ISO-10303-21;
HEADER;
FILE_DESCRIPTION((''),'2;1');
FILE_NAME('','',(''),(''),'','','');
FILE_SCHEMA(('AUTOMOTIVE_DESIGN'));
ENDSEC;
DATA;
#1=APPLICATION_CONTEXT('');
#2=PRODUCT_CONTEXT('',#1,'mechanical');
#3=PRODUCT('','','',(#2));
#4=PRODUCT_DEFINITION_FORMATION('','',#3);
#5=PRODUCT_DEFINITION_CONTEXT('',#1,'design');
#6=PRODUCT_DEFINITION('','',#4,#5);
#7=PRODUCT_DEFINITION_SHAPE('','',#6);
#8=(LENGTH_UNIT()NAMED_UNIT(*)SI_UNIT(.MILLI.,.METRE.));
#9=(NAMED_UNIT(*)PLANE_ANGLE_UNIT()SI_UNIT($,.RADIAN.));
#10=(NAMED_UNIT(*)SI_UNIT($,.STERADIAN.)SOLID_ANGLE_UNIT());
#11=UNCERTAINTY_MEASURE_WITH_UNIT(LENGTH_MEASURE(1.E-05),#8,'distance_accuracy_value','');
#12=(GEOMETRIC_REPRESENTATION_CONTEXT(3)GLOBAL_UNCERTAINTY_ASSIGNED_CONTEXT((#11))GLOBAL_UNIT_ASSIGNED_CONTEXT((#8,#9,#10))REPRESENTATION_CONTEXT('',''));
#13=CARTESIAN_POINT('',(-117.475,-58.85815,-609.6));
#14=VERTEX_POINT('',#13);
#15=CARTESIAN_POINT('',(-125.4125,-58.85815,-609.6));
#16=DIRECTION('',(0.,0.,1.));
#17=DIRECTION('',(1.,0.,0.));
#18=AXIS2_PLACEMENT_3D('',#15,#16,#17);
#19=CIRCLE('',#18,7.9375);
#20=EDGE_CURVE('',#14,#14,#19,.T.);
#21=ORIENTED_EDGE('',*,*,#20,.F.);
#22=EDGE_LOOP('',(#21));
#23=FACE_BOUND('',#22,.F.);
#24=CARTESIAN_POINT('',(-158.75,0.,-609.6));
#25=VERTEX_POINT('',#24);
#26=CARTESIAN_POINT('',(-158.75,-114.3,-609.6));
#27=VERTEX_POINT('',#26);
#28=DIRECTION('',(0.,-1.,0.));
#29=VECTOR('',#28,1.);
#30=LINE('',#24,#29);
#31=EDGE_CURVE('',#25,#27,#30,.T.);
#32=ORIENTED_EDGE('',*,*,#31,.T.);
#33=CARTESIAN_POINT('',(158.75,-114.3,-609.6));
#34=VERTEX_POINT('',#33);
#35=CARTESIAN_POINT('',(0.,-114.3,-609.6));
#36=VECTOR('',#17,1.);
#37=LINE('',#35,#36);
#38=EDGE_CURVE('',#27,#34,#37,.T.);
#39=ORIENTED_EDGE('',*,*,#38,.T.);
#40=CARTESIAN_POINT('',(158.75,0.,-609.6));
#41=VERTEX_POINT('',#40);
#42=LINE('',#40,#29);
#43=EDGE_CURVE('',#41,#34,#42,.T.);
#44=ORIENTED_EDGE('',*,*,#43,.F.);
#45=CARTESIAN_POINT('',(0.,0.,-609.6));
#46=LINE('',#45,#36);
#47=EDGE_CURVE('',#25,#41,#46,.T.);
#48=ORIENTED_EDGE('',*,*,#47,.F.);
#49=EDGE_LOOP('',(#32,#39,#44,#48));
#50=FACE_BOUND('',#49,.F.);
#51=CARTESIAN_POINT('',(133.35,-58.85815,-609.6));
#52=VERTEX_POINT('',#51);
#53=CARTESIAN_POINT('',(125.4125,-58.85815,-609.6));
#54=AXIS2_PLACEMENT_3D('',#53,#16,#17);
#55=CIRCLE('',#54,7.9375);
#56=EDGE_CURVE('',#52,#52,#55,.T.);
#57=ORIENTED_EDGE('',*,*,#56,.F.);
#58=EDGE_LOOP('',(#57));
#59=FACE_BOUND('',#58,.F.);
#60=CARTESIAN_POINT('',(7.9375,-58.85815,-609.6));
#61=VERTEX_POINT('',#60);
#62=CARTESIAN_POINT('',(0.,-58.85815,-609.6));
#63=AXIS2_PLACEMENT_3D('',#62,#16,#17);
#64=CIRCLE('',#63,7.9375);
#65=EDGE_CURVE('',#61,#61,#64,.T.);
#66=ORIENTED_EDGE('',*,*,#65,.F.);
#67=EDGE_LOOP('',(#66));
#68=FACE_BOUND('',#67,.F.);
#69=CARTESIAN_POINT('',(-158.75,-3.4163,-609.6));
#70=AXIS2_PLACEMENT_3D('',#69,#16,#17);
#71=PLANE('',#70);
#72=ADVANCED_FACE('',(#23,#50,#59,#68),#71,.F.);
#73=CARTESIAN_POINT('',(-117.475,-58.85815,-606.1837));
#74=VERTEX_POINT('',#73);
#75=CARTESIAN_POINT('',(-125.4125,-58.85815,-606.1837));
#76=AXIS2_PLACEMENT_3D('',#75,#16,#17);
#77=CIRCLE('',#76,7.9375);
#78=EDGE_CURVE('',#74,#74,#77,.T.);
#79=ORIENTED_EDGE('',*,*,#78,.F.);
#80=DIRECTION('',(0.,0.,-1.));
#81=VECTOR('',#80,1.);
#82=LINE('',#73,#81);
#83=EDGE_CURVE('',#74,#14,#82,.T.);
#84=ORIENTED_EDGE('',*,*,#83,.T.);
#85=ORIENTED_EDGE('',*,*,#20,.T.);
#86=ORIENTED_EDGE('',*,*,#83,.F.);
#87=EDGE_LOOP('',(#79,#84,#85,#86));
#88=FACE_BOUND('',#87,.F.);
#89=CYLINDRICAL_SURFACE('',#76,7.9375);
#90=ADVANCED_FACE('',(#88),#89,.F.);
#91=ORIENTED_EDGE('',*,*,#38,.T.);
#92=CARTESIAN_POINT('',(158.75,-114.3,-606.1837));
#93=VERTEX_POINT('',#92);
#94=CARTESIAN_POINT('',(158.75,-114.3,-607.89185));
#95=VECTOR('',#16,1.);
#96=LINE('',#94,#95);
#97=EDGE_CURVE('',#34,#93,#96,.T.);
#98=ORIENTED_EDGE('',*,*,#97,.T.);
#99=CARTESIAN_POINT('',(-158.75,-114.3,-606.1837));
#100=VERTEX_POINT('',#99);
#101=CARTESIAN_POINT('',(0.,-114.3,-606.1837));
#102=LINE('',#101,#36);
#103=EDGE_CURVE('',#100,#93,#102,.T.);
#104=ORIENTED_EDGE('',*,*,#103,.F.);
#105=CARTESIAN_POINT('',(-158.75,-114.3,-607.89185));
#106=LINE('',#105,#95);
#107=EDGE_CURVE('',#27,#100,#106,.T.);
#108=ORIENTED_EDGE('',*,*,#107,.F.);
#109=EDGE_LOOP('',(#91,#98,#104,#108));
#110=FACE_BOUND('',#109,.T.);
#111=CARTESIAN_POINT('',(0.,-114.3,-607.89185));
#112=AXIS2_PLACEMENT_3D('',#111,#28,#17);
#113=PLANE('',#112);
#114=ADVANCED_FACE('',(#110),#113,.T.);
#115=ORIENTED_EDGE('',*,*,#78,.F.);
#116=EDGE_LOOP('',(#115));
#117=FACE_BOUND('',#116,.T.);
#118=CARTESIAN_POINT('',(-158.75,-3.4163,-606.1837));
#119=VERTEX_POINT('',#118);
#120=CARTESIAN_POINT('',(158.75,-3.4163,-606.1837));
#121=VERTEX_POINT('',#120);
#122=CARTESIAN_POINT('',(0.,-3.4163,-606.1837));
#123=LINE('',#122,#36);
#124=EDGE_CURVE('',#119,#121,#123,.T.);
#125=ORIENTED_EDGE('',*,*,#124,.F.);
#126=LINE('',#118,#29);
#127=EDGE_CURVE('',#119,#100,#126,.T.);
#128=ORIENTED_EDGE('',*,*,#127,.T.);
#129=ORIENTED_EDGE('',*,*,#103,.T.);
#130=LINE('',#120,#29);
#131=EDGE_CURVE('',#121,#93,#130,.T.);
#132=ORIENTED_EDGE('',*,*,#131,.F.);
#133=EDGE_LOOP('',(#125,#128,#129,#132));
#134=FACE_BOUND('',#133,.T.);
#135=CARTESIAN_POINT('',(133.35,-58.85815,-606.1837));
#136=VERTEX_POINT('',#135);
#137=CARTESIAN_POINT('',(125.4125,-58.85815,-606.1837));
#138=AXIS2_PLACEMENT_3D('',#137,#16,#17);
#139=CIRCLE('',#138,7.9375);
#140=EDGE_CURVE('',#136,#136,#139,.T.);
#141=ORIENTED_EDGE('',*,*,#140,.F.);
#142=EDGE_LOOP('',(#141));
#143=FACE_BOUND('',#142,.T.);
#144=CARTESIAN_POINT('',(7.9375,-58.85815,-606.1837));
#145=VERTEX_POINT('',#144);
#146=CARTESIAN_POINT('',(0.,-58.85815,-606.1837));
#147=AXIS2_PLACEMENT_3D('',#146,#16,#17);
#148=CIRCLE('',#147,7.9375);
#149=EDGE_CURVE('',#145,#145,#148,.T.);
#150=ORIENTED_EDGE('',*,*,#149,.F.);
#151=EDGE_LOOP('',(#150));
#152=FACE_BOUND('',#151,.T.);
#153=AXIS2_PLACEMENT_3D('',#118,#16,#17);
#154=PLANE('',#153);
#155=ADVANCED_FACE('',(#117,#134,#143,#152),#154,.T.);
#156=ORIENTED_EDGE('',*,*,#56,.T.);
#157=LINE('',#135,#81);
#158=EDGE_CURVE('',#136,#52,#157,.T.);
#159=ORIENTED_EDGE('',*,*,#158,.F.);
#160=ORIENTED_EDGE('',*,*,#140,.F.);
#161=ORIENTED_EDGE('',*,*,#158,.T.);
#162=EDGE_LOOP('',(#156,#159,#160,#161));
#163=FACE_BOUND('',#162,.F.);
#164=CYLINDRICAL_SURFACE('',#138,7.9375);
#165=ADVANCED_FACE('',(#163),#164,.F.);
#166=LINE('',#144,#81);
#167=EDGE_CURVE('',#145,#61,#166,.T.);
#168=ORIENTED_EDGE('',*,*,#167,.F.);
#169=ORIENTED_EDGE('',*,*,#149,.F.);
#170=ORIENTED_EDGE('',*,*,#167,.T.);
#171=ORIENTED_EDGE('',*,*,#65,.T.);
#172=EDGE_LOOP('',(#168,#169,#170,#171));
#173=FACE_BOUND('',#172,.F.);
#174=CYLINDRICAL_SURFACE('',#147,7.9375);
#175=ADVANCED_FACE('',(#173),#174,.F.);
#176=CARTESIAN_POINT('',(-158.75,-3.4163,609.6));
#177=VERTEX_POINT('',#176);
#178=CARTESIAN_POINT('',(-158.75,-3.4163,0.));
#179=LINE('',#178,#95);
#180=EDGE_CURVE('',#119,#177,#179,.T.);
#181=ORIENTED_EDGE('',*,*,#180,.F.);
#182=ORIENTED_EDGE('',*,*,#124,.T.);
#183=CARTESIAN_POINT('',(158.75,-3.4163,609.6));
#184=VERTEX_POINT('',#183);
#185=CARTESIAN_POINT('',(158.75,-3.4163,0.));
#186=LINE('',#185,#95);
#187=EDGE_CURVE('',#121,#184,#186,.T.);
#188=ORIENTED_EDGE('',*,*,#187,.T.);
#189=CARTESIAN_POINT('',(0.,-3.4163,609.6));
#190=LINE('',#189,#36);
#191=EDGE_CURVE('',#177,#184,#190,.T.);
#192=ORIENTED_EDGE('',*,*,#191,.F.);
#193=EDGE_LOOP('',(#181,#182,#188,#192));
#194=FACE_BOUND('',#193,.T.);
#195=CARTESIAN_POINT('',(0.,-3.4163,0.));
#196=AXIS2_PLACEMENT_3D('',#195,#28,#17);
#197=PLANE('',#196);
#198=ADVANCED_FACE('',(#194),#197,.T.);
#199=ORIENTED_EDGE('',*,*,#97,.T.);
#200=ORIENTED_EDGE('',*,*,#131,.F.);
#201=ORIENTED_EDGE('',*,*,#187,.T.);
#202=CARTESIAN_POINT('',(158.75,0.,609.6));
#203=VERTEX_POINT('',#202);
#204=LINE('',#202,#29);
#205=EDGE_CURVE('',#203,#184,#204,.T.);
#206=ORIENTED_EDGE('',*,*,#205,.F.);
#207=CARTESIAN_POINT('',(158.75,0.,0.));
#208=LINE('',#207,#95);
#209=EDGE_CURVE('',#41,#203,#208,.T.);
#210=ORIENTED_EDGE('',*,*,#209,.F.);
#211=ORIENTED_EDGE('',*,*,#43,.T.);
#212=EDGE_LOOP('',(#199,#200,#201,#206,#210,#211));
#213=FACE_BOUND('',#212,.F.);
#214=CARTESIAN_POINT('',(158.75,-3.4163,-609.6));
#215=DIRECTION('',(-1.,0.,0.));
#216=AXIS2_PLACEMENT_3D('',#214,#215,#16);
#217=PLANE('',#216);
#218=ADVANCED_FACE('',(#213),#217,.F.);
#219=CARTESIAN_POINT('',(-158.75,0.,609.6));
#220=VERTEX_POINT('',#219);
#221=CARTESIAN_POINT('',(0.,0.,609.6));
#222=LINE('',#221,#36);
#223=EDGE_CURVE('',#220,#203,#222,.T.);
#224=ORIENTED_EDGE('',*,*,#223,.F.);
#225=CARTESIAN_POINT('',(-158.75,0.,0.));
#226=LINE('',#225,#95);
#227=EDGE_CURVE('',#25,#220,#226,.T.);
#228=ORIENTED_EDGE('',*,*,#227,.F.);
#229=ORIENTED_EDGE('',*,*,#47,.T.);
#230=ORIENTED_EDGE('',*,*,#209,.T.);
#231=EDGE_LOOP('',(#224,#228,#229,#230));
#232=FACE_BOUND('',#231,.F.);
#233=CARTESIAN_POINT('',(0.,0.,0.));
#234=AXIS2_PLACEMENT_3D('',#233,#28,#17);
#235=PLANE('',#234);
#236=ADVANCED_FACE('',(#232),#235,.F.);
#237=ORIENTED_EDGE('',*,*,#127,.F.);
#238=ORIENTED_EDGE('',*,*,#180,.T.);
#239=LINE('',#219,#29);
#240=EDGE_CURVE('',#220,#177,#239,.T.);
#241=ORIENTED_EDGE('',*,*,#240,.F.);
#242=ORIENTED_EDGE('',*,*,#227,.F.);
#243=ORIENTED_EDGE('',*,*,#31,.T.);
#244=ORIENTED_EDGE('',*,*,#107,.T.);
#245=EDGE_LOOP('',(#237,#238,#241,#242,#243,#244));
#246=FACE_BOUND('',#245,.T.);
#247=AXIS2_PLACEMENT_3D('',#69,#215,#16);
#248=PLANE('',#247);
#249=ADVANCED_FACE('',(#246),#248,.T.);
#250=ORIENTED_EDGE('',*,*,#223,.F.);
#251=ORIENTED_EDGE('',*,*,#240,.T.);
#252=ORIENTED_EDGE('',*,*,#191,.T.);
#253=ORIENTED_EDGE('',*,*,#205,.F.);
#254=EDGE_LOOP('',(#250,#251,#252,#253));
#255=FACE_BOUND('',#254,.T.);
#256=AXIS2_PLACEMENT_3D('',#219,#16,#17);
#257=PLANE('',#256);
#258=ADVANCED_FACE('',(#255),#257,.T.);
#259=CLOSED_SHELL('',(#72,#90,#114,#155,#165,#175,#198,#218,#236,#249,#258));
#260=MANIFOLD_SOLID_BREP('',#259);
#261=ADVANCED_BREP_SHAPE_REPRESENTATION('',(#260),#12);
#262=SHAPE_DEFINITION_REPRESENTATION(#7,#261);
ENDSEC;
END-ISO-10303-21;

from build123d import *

# Parameters (mm, degrees)
F0_W     = 317.5
F0_H     = 1219.2
F1_DEPTH = 3.4163
F2_W     = 317.5
F2_H     = 3.4163
F3_DEPTH = 110.8837
F4_R     = 7.9375
F5_DEPTH = 3.4173


with BuildPart() as f1:
    # F0 (on Front) → F1 (new body)
    with BuildSketch(Plane.XZ):
        Rectangle(F0_W, F0_H)
    extrude(amount=F1_DEPTH)

    # F2 (on face) → F3 (join)
    with BuildSketch(Plane.XZ.offset(3.4163)):
        with Locations((0, -607.89185)):
            Rectangle(F2_W, F2_H)
    extrude(amount=F3_DEPTH)

    # F4 (on face) → F5 (cut, through all)
    with BuildSketch(Plane.XY.offset(-606.1837)):
        with Locations((-125.4125, -58.85815)):
            Circle(F4_R)
        with Locations((0, -58.85815)):
            Circle(F4_R)
        with Locations((125.4125, -58.85815)):
            Circle(F4_R)
    extrude(amount=-F5_DEPTH, mode=Mode.SUBTRACT)


solid = f1.part
